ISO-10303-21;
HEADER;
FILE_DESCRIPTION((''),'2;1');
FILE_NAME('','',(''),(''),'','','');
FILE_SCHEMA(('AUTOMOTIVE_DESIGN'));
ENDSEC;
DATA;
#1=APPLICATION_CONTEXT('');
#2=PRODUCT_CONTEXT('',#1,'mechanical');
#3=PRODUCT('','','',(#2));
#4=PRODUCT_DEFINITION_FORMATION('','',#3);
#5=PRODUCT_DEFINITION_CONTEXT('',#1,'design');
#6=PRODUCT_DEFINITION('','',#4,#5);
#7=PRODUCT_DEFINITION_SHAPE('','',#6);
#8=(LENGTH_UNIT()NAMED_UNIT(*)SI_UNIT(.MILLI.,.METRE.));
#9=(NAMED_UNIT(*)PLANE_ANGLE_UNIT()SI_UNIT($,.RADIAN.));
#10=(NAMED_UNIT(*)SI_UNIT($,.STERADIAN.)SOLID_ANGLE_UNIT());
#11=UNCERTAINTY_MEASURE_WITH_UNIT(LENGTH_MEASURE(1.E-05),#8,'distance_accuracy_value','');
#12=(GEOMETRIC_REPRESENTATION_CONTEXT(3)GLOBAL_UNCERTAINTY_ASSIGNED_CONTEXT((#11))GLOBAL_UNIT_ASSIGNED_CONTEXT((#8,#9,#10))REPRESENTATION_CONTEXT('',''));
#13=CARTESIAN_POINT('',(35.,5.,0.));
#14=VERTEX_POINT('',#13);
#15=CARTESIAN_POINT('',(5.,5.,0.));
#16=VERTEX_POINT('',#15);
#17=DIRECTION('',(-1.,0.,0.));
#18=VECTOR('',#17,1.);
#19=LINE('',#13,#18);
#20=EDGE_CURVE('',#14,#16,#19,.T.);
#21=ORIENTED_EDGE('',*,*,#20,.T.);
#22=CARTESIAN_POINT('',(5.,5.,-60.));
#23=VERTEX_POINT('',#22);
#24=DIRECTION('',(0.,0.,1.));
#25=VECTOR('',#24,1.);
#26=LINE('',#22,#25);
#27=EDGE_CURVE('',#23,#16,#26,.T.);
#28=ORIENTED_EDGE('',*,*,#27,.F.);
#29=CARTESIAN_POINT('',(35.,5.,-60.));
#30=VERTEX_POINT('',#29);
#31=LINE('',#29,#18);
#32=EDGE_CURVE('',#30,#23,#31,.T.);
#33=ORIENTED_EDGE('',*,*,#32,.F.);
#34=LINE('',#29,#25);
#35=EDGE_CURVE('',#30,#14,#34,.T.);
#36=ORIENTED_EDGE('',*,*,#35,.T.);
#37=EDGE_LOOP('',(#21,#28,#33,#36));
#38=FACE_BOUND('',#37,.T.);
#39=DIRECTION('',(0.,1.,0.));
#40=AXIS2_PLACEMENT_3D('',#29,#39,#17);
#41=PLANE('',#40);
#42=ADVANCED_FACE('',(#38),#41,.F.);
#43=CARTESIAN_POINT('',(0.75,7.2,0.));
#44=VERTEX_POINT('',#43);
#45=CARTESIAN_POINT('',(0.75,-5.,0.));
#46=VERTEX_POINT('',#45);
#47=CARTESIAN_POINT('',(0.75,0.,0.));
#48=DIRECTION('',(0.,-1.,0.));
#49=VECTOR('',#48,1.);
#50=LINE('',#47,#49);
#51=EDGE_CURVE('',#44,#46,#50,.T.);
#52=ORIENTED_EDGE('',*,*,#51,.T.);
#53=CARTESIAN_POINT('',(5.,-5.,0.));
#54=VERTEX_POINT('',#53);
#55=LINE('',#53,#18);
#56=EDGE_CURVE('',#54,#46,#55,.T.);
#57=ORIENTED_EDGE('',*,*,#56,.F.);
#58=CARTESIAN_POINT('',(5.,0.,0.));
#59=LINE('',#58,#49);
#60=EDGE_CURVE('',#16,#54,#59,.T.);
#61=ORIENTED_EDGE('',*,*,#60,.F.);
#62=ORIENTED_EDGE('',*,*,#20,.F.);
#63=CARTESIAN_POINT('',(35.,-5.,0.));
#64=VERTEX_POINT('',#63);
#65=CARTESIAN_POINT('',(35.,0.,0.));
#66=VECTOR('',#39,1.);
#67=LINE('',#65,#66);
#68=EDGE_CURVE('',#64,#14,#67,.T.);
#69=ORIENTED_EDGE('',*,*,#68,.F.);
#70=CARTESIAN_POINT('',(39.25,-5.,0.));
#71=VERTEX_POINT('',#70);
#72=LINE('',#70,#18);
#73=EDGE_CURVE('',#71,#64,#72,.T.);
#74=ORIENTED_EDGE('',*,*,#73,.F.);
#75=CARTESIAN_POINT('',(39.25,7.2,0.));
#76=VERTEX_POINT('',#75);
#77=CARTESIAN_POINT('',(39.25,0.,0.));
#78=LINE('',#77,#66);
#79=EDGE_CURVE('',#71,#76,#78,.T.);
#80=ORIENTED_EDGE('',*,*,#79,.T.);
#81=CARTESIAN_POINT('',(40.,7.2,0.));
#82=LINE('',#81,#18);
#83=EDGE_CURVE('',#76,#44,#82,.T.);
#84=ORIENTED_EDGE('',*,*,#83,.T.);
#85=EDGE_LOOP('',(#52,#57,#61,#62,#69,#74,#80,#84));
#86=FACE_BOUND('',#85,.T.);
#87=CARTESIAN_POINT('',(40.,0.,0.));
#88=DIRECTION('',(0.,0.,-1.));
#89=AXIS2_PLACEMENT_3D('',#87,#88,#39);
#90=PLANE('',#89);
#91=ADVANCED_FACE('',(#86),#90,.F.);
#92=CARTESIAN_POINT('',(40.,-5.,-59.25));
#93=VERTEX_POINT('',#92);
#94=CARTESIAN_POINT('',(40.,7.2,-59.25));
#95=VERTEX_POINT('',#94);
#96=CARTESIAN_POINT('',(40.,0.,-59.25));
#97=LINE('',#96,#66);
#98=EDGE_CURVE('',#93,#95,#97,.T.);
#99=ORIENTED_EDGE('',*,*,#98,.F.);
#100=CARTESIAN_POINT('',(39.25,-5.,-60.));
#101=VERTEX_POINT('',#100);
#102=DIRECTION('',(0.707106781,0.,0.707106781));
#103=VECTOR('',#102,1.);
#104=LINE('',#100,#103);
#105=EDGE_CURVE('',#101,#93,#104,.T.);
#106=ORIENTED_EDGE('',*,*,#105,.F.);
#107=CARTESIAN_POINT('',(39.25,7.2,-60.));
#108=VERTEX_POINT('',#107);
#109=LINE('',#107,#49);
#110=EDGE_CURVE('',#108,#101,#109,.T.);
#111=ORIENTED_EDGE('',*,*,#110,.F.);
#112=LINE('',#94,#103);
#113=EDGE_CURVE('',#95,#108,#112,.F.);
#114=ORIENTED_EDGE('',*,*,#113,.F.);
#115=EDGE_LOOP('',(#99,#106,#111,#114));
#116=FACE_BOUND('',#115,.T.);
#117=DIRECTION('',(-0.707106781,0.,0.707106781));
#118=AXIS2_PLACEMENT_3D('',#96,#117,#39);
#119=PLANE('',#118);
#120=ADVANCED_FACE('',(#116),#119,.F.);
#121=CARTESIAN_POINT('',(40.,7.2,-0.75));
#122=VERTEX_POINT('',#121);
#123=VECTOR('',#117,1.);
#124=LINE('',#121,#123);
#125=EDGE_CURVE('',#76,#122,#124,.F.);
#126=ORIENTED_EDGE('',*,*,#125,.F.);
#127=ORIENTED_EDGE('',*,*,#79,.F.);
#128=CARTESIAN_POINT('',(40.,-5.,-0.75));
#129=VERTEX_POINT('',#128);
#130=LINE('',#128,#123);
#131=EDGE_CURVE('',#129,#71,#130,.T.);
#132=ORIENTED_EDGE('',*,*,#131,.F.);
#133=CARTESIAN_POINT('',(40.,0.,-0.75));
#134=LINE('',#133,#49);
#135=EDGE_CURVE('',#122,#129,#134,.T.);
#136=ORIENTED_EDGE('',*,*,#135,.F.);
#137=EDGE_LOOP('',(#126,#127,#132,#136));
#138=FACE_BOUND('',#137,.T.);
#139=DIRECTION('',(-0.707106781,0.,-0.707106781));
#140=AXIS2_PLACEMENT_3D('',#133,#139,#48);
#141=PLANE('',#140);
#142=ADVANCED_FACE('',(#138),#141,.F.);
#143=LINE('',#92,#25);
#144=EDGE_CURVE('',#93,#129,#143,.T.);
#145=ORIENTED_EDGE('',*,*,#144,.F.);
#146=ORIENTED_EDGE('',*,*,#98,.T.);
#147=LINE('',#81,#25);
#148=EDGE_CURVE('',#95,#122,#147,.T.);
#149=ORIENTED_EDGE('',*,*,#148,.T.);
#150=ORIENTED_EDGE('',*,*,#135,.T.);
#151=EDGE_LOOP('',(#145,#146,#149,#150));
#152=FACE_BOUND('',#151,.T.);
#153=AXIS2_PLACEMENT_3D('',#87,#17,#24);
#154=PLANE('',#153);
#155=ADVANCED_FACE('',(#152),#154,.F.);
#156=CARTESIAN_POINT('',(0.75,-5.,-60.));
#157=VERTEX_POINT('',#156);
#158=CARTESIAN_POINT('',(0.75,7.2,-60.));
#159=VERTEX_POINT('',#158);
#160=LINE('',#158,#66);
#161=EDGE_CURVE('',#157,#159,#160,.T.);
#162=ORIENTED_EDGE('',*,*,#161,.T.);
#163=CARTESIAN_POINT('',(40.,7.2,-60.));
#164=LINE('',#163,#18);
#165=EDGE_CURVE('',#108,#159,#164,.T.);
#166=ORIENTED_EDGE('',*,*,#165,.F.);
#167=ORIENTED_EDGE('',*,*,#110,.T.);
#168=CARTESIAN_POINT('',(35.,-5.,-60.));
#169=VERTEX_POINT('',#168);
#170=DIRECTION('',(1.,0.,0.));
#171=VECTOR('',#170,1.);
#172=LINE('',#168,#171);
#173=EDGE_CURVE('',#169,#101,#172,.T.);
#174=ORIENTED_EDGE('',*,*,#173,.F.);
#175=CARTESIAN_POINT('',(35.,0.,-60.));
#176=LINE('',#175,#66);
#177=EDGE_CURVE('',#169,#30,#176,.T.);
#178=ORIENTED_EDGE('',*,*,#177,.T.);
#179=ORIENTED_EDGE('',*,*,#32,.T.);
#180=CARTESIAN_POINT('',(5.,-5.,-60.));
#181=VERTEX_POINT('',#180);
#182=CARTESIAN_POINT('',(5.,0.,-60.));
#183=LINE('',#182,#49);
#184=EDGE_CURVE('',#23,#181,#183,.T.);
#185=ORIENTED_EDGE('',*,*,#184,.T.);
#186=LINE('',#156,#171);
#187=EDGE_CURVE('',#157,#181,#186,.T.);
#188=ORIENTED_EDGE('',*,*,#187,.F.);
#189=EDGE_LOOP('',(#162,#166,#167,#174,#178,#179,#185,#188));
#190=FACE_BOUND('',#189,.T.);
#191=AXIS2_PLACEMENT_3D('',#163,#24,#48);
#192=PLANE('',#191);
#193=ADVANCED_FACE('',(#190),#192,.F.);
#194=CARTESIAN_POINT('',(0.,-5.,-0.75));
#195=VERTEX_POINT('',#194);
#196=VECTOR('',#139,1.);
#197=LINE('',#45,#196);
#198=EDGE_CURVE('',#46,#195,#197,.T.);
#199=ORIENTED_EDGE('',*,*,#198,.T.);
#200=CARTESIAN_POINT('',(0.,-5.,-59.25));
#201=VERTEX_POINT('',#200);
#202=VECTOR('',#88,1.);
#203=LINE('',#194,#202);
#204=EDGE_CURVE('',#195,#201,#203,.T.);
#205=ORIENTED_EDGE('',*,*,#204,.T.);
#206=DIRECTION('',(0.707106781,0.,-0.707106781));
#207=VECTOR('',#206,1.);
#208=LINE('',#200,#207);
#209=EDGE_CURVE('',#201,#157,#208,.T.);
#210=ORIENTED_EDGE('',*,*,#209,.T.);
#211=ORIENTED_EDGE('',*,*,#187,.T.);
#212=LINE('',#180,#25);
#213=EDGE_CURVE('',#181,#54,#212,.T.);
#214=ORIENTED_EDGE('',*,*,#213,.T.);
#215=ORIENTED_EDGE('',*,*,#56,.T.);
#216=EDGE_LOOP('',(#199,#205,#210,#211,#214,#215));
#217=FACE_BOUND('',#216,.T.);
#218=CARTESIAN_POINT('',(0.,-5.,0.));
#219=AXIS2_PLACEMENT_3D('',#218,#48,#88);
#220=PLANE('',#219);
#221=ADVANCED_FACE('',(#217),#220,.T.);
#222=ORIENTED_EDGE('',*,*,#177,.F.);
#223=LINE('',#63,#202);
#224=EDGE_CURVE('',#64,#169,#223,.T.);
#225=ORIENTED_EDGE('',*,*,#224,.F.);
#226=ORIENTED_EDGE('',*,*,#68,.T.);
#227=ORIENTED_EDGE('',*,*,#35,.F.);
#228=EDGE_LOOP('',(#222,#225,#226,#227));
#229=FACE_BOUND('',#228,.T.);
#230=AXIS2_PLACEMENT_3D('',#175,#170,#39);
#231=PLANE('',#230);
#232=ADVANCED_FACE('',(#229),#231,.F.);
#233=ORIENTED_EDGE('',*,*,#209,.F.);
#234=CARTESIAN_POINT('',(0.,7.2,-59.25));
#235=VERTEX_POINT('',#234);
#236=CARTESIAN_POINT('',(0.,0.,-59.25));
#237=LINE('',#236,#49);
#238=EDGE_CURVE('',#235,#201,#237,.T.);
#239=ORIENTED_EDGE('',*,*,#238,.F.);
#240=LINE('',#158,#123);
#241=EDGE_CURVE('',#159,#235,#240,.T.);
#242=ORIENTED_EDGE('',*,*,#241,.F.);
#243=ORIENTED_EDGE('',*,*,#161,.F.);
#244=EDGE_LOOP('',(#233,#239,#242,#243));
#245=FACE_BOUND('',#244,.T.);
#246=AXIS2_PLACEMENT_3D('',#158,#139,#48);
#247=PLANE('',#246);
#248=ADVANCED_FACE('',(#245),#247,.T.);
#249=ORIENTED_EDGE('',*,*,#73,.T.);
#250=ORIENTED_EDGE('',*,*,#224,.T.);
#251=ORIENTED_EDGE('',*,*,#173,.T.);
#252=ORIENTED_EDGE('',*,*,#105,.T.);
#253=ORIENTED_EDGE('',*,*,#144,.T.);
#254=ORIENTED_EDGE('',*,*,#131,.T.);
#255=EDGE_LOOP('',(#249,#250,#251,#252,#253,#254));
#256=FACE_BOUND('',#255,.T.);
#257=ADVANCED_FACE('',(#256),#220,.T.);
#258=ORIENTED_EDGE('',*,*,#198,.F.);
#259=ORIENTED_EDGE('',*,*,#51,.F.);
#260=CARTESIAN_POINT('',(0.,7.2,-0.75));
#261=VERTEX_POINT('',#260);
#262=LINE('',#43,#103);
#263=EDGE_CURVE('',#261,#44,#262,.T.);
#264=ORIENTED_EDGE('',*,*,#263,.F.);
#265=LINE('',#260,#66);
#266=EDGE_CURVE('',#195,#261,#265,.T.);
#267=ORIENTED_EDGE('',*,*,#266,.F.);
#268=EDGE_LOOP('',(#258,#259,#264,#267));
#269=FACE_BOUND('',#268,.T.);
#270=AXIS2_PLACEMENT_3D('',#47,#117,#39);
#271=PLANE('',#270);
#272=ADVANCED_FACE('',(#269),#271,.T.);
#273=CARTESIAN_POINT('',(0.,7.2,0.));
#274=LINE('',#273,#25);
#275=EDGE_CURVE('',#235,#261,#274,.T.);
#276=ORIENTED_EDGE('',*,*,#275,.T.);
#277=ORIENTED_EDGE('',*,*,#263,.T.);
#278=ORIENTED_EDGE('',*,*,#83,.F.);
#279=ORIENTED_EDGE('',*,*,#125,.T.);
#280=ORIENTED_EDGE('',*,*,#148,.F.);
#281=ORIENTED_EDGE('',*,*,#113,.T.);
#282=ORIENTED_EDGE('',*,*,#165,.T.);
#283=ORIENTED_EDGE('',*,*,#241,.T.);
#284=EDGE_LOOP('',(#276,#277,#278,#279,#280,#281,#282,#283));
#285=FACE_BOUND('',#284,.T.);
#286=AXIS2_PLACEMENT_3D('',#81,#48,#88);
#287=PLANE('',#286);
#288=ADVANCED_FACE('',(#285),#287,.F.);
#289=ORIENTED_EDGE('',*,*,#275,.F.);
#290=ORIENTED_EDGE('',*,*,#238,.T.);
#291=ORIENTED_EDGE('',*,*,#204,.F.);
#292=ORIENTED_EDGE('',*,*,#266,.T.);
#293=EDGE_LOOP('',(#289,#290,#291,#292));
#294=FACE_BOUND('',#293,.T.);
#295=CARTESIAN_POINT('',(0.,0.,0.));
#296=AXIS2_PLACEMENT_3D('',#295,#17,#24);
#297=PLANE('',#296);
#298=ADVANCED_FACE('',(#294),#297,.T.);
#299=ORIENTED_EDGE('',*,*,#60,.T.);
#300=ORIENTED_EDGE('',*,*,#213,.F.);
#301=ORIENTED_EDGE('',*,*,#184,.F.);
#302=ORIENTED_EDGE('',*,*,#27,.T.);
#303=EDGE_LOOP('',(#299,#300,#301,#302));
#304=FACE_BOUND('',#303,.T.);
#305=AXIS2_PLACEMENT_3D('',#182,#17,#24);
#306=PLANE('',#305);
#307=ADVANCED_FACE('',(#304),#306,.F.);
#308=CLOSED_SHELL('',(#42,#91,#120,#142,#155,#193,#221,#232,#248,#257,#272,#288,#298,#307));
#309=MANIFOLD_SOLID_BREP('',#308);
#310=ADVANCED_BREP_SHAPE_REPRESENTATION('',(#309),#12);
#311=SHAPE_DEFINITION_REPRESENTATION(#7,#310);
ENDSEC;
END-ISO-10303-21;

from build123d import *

# Parameters (mm, degrees)
SCHIZZO1_W                        = 60
SCHIZZO1_H                        = 7.2
SCHIZZO1_W_2                      = 19.125
SCHIZZO1_H_2                      = 5
ESTRUSIONE_ESTRUSIONE1_DEPTH      = 40
SCHIZZO2_W                        = 11.375
SCHIZZO2_H                        = 5
SCHIZZO2_W_2                      = 2.075
SCHIZZO2_H_2                      = 1.1
SCHIZZO2_W_3                      = 2.05
TAGLIO_ESTRUSIONE1_DEPTH          = 61
SMUSSO1_SIZE                      = 0.75
SCHIZZO3_W                        = 7.25
SCHIZZO3_H                        = 5
TAGLIO_ESTRUSIONE2_DEPTH          = 64
SCHIZZO4_W                        = 38.5
SCHIZZO4_H                        = 1.1
ESTRUSIONE_ESTRUSIONE3_DEPTH      = 60
SCHIZZO7_W                        = 30
SCHIZZO7_H                        = 1.1
ESTRUSIONE_ESTRUSIONE4_DEPTH      = 50
ESTRUSIONE_ESTRUSIONE5_DEPTH      = 5
SCHIZZO9_W                        = 19.125
SCHIZZO9_H                        = 1.1
ESTRUSIONE_ESTRUSIONE6_DEPTH      = 5
ESTRUSIONE_ESTRUSIONE6_DEPTH_BACK = 35
SCHIZZO10_W                       = 19.125
SCHIZZO10_H                       = 3.9
TAGLIO_ESTRUSIONE3_DEPTH          = 41
SCHIZZO11_W                       = 19.125
SCHIZZO11_H                       = 7.8
ESTRUSIONE_ESTRUSIONE7_DEPTH      = 40
SCHIZZO12_W                       = 30
SCHIZZO12_H                       = 10
TAGLIO_ESTRUSIONE4_DEPTH          = 64


with BuildPart() as part:
    # Schizzo1 → Estrusione-Estrusione1 (new body)
    with BuildSketch(Plane(origin=(0, 0, 0), x_dir=(0, 0, -1), z_dir=(1, 0, 0))):
        with Locations((30, 3.6)):
            Rectangle(SCHIZZO1_W, SCHIZZO1_H)
        with Locations((43.1875, 3.6)):
            Rectangle(SCHIZZO1_W_2, SCHIZZO1_H_2, mode=Mode.SUBTRACT)
        with Locations((16.8125, 3.6)):
            Rectangle(SCHIZZO1_W_2, SCHIZZO1_H_2, mode=Mode.SUBTRACT)
    extrude(amount=ESTRUSIONE_ESTRUSIONE1_DEPTH)

    # Schizzo2 → Taglio-Estrusione1 (cut, through all)
    with BuildSketch(Plane.XY):
        with Locations((10.6875, 2.5)):
            Rectangle(SCHIZZO2_W, SCHIZZO2_H)
        with Locations((29.3125, 2.5)):
            Rectangle(SCHIZZO2_W, SCHIZZO2_H)
        with Locations((15.3375, 6.65)):
            Rectangle(SCHIZZO2_W_2, SCHIZZO2_H_2)
        with Locations((8.275, 6.65)):
            Rectangle(SCHIZZO2_W_3, SCHIZZO2_H_2)
        with Locations((24.6625, 6.65)):
            Rectangle(SCHIZZO2_W_2, SCHIZZO2_H_2)
        with Locations((31.725, 6.65)):
            Rectangle(SCHIZZO2_W_3, SCHIZZO2_H_2)
    extrude(amount=-TAGLIO_ESTRUSIONE1_DEPTH, mode=Mode.SUBTRACT)

    # Smusso1
    smusso1_edges = [part.edges().sort_by_distance(p)[0] for p in [
        (40, 3.6, 0),
        (0, 3.6, 0),
        (0, 3.6, -60),
        (40, 3.6, -60),
    ]]
    chamfer(smusso1_edges, length=SMUSSO1_SIZE)

    # Schizzo3 → Taglio-Estrusione2 (cut)
    with BuildSketch(Plane.XY):
        with Locations((20, 2.5)):
            Rectangle(SCHIZZO3_W, SCHIZZO3_H)
    extrude(amount=-TAGLIO_ESTRUSIONE2_DEPTH, mode=Mode.SUBTRACT)

    # Schizzo4 → Estrusione-Estrusione3 (add)
    with BuildSketch(Plane.XY):
        with Locations((20, 6.65)):
            Rectangle(SCHIZZO4_W, SCHIZZO4_H)
    extrude(amount=-ESTRUSIONE_ESTRUSIONE3_DEPTH)

    # Schizzo7 → Estrusione-Estrusione4 (add)
    with BuildSketch(Plane.XY.offset(-52.75)):
        with Locations((20, 5.55)):
            Rectangle(SCHIZZO7_W, SCHIZZO7_H)
    extrude(amount=ESTRUSIONE_ESTRUSIONE4_DEPTH)

    # Schizzo8 → Estrusione-Estrusione5 (add)
    with BuildSketch(Plane.XZ):
        Polygon((5, 0), (0.75, 0), (0, -0.75), (0, -59.25), (0.75, -60), (5, -60), align=None)
        Polygon((35, 0), (35, -60), (39.25, -60), (40, -59.25), (40, -0.75), (39.25, 0), align=None)
    extrude(amount=ESTRUSIONE_ESTRUSIONE5_DEPTH)

    # Schizzo9 → Estrusione-Estrusione6 (add, two sides)
    with BuildSketch(Plane(origin=(35, 0, 0), x_dir=(0, 0, -1), z_dir=(1, 0, 0))) as estrusione_estrusione6_sk:
        with Locations((16.8125, 5.55)):
            Rectangle(SCHIZZO9_W, SCHIZZO9_H)
        with Locations((43.1875, 5.55)):
            Rectangle(SCHIZZO9_W, SCHIZZO9_H)
    extrude(amount=ESTRUSIONE_ESTRUSIONE6_DEPTH)
    extrude(estrusione_estrusione6_sk.sketch, amount=-ESTRUSIONE_ESTRUSIONE6_DEPTH_BACK)

    # Schizzo10 → Taglio-Estrusione3 (cut, through all)
    with BuildSketch(Plane.ZY):
        with Locations((-43.1875, -0.85)):
            Rectangle(SCHIZZO10_W, SCHIZZO10_H)
        with Locations((-16.8125, -0.85)):
            Rectangle(SCHIZZO10_W, SCHIZZO10_H)
    extrude(amount=-TAGLIO_ESTRUSIONE3_DEPTH, mode=Mode.SUBTRACT)

    # Schizzo11 → Estrusione-Estrusione7 (add)
    with BuildSketch(Plane.ZY):
        with Locations((-43.1875, 1.1)):
            Rectangle(SCHIZZO11_W, SCHIZZO11_H)
        with Locations((-16.8125, 1.1)):
            Rectangle(SCHIZZO11_W, SCHIZZO11_H)
    extrude(amount=-ESTRUSIONE_ESTRUSIONE7_DEPTH)

    # Schizzo12 → Taglio-Estrusione4 (cut)
    with BuildSketch(Plane(origin=(0, 0, -60), x_dir=(-1, 0, 0), z_dir=(0, 0, -1))):
        with Locations((-20, 0)):
            Rectangle(SCHIZZO12_W, SCHIZZO12_H)
    extrude(amount=-TAGLIO_ESTRUSIONE4_DEPTH, mode=Mode.SUBTRACT)


solid = part.part
